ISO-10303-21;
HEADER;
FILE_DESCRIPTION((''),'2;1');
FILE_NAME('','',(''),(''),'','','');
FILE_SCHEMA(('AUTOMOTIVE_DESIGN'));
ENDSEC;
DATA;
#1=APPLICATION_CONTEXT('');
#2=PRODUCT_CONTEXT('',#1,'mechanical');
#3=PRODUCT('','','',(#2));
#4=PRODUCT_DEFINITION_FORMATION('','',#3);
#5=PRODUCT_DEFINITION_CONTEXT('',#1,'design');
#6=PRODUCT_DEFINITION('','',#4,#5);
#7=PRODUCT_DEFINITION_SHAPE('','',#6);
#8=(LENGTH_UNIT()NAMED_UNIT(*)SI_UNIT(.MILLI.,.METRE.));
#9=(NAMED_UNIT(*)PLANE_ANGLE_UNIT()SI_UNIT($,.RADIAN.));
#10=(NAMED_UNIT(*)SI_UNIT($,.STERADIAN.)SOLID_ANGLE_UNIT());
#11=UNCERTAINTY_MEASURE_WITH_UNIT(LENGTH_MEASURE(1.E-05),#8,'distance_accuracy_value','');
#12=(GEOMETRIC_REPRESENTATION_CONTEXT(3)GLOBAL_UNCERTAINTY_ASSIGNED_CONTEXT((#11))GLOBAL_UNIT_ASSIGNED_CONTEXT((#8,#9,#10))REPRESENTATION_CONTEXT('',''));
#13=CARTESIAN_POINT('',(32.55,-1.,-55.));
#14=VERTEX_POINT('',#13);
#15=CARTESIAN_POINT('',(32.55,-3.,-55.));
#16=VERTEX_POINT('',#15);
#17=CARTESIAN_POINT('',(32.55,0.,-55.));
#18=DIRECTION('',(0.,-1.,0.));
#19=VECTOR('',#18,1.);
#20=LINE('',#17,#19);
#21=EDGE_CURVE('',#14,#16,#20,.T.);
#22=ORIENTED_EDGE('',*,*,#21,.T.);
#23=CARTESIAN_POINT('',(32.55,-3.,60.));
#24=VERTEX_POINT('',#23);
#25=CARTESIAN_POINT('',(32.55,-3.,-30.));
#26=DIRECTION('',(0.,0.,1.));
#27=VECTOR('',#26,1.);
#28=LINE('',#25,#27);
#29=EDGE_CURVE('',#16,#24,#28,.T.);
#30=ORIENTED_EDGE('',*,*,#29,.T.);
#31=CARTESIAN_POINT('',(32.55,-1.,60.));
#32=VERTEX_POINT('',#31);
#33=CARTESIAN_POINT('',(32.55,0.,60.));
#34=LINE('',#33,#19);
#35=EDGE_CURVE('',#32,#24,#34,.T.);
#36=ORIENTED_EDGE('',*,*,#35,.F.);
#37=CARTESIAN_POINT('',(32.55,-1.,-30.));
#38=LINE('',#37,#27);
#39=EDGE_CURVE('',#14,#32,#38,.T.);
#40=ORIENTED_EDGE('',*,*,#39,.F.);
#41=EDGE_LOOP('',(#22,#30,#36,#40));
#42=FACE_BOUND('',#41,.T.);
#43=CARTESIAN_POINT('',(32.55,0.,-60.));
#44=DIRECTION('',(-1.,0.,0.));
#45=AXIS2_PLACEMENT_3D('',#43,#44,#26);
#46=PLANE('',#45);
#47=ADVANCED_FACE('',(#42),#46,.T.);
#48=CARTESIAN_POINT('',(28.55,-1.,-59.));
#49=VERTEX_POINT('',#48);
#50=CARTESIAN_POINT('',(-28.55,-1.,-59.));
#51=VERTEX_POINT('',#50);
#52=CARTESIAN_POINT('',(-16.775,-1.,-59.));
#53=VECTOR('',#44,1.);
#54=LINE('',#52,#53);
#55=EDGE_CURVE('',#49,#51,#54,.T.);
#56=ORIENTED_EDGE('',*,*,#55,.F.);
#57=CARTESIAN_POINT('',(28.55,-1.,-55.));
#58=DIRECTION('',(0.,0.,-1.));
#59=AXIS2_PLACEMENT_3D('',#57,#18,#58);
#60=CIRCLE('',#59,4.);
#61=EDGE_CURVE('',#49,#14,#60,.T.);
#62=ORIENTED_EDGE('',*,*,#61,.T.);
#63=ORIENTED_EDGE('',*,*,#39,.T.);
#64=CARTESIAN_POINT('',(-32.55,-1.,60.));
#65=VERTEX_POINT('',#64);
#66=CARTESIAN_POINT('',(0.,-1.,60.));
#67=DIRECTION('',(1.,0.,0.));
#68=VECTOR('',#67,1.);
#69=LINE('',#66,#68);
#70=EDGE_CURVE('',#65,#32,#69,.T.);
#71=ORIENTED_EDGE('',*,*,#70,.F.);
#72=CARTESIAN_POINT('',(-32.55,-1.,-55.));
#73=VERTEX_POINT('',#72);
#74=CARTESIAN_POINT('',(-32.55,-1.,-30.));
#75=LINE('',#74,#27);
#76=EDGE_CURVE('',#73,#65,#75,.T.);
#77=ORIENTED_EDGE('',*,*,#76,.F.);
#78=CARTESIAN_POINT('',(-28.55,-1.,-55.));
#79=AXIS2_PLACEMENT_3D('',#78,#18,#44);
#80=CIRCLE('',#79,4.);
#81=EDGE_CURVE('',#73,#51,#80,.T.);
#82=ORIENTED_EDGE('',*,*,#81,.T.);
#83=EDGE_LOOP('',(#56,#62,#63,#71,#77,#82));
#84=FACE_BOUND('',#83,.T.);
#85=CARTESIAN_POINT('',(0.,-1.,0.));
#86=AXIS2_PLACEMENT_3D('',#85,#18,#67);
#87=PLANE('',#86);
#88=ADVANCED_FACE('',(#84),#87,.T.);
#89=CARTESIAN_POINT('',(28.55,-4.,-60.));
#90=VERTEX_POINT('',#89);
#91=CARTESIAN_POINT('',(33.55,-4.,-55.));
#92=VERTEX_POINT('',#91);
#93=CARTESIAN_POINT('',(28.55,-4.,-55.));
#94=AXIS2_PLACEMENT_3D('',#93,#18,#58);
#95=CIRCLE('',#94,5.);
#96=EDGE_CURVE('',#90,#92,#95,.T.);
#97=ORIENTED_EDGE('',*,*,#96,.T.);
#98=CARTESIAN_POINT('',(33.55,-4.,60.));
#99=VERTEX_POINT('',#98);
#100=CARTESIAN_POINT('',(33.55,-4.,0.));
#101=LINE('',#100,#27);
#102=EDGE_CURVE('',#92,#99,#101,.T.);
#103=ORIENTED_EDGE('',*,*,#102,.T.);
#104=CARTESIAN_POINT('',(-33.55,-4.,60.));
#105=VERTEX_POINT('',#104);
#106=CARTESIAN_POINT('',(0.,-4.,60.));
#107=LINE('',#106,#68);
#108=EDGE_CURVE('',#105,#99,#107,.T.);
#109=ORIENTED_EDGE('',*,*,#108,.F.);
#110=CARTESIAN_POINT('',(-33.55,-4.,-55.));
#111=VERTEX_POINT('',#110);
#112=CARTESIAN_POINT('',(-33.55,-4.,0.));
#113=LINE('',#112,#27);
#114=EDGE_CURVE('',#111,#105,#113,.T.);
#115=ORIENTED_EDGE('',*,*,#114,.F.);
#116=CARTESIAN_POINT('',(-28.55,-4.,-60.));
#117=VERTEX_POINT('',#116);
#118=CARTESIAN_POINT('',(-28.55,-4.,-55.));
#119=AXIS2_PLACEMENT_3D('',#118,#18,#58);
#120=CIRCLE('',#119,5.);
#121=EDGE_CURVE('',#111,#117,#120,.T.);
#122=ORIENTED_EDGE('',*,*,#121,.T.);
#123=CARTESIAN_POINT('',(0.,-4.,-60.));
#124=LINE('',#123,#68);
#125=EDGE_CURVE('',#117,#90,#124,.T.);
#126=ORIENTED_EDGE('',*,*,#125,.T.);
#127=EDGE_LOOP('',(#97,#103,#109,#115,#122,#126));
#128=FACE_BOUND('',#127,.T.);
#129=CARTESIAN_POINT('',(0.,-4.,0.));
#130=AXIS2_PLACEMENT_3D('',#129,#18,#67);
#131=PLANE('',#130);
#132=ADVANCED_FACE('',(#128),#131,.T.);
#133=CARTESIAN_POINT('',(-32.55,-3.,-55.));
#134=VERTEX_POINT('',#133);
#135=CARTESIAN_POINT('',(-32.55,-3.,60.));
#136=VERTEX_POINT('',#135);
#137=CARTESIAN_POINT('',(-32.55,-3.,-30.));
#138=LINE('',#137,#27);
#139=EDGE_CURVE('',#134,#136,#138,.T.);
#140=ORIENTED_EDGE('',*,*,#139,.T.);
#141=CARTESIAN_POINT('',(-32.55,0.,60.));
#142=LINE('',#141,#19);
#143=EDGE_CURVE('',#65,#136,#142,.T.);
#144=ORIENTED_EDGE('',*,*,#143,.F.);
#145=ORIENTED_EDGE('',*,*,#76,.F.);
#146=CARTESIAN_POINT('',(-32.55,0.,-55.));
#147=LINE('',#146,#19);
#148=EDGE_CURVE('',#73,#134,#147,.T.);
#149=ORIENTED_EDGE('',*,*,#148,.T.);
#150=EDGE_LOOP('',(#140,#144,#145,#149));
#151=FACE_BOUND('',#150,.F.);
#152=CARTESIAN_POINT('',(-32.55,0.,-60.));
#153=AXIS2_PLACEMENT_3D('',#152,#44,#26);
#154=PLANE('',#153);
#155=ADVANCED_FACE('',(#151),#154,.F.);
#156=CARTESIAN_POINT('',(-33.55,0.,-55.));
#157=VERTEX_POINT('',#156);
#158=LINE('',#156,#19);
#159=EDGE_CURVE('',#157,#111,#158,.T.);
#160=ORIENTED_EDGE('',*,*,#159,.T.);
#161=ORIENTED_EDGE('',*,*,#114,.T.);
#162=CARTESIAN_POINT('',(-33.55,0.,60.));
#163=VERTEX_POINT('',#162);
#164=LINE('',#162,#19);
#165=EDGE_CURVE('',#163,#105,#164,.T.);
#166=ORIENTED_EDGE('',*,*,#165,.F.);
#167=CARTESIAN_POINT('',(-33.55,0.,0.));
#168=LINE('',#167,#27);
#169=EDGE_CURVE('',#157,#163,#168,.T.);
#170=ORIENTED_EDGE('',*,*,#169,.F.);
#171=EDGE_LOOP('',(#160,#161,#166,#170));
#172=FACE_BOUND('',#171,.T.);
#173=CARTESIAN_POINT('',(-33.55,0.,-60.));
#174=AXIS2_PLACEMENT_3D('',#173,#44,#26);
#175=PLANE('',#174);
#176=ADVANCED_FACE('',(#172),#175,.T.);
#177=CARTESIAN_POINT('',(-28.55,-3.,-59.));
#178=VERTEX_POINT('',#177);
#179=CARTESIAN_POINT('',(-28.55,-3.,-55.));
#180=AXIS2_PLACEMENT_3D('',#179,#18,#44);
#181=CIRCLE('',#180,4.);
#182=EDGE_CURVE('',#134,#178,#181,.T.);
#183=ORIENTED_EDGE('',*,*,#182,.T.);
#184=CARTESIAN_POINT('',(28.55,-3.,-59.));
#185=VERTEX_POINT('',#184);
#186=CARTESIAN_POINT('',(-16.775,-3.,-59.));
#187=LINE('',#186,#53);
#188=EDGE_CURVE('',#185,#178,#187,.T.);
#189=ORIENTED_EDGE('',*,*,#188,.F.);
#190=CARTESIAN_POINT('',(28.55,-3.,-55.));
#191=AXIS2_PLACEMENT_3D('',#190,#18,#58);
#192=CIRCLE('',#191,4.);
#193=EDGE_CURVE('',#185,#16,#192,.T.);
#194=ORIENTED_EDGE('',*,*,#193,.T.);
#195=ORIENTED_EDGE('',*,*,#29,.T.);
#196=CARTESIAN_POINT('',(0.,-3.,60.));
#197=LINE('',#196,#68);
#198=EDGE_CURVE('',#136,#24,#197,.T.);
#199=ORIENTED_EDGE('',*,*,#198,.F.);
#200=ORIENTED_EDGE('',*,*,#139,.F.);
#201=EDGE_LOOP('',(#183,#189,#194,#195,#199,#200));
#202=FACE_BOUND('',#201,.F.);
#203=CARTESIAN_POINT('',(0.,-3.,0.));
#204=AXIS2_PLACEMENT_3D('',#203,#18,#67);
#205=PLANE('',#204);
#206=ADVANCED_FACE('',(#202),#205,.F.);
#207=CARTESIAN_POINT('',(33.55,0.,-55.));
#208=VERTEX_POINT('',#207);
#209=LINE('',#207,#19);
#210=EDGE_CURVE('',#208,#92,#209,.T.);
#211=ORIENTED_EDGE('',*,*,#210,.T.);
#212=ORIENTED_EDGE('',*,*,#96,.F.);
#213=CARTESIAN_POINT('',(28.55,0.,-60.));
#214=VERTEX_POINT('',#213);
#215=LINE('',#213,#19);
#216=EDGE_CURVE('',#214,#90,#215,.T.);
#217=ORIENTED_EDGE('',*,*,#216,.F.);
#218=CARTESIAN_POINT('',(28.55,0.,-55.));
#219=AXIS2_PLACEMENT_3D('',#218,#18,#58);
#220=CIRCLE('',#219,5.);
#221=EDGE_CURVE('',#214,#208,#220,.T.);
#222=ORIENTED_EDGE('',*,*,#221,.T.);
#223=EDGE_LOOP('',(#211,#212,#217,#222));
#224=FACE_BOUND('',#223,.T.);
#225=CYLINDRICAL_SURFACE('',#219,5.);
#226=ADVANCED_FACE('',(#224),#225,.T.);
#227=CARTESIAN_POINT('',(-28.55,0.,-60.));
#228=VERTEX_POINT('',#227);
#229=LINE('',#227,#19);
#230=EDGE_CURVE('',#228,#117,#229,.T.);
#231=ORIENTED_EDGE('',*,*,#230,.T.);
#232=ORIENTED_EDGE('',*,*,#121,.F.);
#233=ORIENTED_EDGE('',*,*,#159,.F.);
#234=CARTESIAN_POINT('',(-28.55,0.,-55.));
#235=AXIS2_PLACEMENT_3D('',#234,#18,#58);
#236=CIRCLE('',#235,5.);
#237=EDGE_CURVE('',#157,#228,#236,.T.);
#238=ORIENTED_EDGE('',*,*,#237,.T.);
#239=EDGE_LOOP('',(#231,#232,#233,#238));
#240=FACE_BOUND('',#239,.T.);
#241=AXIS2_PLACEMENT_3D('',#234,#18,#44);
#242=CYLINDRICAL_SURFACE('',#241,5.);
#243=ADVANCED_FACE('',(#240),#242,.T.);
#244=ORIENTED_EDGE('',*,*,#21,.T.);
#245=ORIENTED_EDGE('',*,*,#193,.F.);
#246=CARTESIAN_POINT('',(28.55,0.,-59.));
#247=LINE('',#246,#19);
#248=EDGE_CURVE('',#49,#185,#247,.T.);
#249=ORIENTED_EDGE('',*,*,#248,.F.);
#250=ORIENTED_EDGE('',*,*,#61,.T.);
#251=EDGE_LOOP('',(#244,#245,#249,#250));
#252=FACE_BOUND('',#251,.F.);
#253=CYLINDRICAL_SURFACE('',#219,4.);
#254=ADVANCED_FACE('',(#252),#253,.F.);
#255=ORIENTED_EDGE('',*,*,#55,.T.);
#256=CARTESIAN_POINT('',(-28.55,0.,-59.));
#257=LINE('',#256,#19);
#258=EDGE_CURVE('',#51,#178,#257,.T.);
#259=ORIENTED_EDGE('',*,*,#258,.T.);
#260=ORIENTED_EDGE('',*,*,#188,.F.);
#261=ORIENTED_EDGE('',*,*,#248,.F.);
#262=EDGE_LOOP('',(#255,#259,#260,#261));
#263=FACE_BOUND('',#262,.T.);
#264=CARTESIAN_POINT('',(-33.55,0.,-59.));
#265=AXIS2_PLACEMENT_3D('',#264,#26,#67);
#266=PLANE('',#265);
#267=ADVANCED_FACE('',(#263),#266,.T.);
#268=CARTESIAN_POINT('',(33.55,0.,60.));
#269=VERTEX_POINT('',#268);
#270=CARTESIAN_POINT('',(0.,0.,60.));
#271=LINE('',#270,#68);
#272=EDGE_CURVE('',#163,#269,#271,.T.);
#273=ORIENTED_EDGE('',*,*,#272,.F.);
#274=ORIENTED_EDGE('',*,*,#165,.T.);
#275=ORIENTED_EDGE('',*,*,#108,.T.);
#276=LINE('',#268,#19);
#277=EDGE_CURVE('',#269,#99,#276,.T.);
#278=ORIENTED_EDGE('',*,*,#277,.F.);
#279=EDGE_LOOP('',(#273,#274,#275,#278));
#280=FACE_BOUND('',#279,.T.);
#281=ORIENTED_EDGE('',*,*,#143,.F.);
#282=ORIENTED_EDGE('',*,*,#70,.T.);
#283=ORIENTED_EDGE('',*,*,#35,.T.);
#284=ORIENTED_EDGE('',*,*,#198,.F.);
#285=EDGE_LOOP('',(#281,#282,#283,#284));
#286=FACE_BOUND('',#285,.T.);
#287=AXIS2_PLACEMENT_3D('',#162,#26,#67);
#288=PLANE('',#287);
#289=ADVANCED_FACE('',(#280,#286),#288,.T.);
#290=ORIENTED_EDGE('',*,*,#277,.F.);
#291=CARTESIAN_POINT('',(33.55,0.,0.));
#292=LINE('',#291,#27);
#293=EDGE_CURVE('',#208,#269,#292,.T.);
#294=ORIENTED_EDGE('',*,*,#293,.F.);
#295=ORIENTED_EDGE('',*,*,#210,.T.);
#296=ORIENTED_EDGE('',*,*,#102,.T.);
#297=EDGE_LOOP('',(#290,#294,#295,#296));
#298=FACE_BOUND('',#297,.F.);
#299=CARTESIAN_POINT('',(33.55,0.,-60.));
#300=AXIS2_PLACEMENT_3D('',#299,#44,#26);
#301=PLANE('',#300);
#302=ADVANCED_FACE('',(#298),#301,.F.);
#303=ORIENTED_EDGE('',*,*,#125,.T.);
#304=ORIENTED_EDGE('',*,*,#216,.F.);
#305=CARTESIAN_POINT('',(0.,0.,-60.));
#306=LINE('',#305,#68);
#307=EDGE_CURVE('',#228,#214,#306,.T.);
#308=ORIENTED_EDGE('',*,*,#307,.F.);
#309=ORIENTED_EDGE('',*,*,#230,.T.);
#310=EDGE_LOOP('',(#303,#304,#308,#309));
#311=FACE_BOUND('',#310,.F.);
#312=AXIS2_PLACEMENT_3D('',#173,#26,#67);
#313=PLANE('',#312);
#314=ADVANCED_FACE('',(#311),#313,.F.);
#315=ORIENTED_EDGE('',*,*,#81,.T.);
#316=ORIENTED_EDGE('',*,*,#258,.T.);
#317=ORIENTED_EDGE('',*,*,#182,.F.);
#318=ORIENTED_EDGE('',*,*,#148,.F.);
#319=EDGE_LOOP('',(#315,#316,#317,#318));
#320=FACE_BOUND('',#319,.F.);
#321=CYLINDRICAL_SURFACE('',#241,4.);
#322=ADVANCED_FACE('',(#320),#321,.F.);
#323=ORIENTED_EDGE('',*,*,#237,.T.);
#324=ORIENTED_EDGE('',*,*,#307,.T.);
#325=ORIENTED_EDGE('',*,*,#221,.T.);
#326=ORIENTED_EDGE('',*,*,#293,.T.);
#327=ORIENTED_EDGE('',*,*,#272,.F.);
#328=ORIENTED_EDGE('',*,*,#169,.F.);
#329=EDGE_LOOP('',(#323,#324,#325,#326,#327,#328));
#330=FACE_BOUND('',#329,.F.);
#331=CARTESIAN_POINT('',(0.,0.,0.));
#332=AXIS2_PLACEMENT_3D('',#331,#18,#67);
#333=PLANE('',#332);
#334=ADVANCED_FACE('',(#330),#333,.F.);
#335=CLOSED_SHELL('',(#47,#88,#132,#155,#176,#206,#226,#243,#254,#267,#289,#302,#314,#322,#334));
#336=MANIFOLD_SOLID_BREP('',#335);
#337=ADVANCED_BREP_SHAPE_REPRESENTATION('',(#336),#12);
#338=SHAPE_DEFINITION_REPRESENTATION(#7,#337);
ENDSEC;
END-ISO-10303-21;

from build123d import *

# Parameters (mm, degrees)
F0_W     = 67.1
F0_H     = 120
F1_DEPTH = 4
F2_R     = 5
F3_T     = -1


with BuildPart() as f1:
    # F0 (on Front) → F1 (new body)
    with BuildSketch(Plane.XZ):
        Rectangle(F0_W, F0_H)
    extrude(amount=F1_DEPTH)

    # F2
    f2_edges = [f1.edges().sort_by_distance(p)[0] for p in [
        (33.55, -2, -60),
        (-33.55, -2, -60),
    ]]
    fillet(f2_edges, radius=F2_R)

    # F3
    f3_openings = [f1.faces().sort_by_distance(p)[0] for p in [
        (0, -2, 60),
    ]]
    offset(amount=F3_T, openings=f3_openings)


solid = f1.part
